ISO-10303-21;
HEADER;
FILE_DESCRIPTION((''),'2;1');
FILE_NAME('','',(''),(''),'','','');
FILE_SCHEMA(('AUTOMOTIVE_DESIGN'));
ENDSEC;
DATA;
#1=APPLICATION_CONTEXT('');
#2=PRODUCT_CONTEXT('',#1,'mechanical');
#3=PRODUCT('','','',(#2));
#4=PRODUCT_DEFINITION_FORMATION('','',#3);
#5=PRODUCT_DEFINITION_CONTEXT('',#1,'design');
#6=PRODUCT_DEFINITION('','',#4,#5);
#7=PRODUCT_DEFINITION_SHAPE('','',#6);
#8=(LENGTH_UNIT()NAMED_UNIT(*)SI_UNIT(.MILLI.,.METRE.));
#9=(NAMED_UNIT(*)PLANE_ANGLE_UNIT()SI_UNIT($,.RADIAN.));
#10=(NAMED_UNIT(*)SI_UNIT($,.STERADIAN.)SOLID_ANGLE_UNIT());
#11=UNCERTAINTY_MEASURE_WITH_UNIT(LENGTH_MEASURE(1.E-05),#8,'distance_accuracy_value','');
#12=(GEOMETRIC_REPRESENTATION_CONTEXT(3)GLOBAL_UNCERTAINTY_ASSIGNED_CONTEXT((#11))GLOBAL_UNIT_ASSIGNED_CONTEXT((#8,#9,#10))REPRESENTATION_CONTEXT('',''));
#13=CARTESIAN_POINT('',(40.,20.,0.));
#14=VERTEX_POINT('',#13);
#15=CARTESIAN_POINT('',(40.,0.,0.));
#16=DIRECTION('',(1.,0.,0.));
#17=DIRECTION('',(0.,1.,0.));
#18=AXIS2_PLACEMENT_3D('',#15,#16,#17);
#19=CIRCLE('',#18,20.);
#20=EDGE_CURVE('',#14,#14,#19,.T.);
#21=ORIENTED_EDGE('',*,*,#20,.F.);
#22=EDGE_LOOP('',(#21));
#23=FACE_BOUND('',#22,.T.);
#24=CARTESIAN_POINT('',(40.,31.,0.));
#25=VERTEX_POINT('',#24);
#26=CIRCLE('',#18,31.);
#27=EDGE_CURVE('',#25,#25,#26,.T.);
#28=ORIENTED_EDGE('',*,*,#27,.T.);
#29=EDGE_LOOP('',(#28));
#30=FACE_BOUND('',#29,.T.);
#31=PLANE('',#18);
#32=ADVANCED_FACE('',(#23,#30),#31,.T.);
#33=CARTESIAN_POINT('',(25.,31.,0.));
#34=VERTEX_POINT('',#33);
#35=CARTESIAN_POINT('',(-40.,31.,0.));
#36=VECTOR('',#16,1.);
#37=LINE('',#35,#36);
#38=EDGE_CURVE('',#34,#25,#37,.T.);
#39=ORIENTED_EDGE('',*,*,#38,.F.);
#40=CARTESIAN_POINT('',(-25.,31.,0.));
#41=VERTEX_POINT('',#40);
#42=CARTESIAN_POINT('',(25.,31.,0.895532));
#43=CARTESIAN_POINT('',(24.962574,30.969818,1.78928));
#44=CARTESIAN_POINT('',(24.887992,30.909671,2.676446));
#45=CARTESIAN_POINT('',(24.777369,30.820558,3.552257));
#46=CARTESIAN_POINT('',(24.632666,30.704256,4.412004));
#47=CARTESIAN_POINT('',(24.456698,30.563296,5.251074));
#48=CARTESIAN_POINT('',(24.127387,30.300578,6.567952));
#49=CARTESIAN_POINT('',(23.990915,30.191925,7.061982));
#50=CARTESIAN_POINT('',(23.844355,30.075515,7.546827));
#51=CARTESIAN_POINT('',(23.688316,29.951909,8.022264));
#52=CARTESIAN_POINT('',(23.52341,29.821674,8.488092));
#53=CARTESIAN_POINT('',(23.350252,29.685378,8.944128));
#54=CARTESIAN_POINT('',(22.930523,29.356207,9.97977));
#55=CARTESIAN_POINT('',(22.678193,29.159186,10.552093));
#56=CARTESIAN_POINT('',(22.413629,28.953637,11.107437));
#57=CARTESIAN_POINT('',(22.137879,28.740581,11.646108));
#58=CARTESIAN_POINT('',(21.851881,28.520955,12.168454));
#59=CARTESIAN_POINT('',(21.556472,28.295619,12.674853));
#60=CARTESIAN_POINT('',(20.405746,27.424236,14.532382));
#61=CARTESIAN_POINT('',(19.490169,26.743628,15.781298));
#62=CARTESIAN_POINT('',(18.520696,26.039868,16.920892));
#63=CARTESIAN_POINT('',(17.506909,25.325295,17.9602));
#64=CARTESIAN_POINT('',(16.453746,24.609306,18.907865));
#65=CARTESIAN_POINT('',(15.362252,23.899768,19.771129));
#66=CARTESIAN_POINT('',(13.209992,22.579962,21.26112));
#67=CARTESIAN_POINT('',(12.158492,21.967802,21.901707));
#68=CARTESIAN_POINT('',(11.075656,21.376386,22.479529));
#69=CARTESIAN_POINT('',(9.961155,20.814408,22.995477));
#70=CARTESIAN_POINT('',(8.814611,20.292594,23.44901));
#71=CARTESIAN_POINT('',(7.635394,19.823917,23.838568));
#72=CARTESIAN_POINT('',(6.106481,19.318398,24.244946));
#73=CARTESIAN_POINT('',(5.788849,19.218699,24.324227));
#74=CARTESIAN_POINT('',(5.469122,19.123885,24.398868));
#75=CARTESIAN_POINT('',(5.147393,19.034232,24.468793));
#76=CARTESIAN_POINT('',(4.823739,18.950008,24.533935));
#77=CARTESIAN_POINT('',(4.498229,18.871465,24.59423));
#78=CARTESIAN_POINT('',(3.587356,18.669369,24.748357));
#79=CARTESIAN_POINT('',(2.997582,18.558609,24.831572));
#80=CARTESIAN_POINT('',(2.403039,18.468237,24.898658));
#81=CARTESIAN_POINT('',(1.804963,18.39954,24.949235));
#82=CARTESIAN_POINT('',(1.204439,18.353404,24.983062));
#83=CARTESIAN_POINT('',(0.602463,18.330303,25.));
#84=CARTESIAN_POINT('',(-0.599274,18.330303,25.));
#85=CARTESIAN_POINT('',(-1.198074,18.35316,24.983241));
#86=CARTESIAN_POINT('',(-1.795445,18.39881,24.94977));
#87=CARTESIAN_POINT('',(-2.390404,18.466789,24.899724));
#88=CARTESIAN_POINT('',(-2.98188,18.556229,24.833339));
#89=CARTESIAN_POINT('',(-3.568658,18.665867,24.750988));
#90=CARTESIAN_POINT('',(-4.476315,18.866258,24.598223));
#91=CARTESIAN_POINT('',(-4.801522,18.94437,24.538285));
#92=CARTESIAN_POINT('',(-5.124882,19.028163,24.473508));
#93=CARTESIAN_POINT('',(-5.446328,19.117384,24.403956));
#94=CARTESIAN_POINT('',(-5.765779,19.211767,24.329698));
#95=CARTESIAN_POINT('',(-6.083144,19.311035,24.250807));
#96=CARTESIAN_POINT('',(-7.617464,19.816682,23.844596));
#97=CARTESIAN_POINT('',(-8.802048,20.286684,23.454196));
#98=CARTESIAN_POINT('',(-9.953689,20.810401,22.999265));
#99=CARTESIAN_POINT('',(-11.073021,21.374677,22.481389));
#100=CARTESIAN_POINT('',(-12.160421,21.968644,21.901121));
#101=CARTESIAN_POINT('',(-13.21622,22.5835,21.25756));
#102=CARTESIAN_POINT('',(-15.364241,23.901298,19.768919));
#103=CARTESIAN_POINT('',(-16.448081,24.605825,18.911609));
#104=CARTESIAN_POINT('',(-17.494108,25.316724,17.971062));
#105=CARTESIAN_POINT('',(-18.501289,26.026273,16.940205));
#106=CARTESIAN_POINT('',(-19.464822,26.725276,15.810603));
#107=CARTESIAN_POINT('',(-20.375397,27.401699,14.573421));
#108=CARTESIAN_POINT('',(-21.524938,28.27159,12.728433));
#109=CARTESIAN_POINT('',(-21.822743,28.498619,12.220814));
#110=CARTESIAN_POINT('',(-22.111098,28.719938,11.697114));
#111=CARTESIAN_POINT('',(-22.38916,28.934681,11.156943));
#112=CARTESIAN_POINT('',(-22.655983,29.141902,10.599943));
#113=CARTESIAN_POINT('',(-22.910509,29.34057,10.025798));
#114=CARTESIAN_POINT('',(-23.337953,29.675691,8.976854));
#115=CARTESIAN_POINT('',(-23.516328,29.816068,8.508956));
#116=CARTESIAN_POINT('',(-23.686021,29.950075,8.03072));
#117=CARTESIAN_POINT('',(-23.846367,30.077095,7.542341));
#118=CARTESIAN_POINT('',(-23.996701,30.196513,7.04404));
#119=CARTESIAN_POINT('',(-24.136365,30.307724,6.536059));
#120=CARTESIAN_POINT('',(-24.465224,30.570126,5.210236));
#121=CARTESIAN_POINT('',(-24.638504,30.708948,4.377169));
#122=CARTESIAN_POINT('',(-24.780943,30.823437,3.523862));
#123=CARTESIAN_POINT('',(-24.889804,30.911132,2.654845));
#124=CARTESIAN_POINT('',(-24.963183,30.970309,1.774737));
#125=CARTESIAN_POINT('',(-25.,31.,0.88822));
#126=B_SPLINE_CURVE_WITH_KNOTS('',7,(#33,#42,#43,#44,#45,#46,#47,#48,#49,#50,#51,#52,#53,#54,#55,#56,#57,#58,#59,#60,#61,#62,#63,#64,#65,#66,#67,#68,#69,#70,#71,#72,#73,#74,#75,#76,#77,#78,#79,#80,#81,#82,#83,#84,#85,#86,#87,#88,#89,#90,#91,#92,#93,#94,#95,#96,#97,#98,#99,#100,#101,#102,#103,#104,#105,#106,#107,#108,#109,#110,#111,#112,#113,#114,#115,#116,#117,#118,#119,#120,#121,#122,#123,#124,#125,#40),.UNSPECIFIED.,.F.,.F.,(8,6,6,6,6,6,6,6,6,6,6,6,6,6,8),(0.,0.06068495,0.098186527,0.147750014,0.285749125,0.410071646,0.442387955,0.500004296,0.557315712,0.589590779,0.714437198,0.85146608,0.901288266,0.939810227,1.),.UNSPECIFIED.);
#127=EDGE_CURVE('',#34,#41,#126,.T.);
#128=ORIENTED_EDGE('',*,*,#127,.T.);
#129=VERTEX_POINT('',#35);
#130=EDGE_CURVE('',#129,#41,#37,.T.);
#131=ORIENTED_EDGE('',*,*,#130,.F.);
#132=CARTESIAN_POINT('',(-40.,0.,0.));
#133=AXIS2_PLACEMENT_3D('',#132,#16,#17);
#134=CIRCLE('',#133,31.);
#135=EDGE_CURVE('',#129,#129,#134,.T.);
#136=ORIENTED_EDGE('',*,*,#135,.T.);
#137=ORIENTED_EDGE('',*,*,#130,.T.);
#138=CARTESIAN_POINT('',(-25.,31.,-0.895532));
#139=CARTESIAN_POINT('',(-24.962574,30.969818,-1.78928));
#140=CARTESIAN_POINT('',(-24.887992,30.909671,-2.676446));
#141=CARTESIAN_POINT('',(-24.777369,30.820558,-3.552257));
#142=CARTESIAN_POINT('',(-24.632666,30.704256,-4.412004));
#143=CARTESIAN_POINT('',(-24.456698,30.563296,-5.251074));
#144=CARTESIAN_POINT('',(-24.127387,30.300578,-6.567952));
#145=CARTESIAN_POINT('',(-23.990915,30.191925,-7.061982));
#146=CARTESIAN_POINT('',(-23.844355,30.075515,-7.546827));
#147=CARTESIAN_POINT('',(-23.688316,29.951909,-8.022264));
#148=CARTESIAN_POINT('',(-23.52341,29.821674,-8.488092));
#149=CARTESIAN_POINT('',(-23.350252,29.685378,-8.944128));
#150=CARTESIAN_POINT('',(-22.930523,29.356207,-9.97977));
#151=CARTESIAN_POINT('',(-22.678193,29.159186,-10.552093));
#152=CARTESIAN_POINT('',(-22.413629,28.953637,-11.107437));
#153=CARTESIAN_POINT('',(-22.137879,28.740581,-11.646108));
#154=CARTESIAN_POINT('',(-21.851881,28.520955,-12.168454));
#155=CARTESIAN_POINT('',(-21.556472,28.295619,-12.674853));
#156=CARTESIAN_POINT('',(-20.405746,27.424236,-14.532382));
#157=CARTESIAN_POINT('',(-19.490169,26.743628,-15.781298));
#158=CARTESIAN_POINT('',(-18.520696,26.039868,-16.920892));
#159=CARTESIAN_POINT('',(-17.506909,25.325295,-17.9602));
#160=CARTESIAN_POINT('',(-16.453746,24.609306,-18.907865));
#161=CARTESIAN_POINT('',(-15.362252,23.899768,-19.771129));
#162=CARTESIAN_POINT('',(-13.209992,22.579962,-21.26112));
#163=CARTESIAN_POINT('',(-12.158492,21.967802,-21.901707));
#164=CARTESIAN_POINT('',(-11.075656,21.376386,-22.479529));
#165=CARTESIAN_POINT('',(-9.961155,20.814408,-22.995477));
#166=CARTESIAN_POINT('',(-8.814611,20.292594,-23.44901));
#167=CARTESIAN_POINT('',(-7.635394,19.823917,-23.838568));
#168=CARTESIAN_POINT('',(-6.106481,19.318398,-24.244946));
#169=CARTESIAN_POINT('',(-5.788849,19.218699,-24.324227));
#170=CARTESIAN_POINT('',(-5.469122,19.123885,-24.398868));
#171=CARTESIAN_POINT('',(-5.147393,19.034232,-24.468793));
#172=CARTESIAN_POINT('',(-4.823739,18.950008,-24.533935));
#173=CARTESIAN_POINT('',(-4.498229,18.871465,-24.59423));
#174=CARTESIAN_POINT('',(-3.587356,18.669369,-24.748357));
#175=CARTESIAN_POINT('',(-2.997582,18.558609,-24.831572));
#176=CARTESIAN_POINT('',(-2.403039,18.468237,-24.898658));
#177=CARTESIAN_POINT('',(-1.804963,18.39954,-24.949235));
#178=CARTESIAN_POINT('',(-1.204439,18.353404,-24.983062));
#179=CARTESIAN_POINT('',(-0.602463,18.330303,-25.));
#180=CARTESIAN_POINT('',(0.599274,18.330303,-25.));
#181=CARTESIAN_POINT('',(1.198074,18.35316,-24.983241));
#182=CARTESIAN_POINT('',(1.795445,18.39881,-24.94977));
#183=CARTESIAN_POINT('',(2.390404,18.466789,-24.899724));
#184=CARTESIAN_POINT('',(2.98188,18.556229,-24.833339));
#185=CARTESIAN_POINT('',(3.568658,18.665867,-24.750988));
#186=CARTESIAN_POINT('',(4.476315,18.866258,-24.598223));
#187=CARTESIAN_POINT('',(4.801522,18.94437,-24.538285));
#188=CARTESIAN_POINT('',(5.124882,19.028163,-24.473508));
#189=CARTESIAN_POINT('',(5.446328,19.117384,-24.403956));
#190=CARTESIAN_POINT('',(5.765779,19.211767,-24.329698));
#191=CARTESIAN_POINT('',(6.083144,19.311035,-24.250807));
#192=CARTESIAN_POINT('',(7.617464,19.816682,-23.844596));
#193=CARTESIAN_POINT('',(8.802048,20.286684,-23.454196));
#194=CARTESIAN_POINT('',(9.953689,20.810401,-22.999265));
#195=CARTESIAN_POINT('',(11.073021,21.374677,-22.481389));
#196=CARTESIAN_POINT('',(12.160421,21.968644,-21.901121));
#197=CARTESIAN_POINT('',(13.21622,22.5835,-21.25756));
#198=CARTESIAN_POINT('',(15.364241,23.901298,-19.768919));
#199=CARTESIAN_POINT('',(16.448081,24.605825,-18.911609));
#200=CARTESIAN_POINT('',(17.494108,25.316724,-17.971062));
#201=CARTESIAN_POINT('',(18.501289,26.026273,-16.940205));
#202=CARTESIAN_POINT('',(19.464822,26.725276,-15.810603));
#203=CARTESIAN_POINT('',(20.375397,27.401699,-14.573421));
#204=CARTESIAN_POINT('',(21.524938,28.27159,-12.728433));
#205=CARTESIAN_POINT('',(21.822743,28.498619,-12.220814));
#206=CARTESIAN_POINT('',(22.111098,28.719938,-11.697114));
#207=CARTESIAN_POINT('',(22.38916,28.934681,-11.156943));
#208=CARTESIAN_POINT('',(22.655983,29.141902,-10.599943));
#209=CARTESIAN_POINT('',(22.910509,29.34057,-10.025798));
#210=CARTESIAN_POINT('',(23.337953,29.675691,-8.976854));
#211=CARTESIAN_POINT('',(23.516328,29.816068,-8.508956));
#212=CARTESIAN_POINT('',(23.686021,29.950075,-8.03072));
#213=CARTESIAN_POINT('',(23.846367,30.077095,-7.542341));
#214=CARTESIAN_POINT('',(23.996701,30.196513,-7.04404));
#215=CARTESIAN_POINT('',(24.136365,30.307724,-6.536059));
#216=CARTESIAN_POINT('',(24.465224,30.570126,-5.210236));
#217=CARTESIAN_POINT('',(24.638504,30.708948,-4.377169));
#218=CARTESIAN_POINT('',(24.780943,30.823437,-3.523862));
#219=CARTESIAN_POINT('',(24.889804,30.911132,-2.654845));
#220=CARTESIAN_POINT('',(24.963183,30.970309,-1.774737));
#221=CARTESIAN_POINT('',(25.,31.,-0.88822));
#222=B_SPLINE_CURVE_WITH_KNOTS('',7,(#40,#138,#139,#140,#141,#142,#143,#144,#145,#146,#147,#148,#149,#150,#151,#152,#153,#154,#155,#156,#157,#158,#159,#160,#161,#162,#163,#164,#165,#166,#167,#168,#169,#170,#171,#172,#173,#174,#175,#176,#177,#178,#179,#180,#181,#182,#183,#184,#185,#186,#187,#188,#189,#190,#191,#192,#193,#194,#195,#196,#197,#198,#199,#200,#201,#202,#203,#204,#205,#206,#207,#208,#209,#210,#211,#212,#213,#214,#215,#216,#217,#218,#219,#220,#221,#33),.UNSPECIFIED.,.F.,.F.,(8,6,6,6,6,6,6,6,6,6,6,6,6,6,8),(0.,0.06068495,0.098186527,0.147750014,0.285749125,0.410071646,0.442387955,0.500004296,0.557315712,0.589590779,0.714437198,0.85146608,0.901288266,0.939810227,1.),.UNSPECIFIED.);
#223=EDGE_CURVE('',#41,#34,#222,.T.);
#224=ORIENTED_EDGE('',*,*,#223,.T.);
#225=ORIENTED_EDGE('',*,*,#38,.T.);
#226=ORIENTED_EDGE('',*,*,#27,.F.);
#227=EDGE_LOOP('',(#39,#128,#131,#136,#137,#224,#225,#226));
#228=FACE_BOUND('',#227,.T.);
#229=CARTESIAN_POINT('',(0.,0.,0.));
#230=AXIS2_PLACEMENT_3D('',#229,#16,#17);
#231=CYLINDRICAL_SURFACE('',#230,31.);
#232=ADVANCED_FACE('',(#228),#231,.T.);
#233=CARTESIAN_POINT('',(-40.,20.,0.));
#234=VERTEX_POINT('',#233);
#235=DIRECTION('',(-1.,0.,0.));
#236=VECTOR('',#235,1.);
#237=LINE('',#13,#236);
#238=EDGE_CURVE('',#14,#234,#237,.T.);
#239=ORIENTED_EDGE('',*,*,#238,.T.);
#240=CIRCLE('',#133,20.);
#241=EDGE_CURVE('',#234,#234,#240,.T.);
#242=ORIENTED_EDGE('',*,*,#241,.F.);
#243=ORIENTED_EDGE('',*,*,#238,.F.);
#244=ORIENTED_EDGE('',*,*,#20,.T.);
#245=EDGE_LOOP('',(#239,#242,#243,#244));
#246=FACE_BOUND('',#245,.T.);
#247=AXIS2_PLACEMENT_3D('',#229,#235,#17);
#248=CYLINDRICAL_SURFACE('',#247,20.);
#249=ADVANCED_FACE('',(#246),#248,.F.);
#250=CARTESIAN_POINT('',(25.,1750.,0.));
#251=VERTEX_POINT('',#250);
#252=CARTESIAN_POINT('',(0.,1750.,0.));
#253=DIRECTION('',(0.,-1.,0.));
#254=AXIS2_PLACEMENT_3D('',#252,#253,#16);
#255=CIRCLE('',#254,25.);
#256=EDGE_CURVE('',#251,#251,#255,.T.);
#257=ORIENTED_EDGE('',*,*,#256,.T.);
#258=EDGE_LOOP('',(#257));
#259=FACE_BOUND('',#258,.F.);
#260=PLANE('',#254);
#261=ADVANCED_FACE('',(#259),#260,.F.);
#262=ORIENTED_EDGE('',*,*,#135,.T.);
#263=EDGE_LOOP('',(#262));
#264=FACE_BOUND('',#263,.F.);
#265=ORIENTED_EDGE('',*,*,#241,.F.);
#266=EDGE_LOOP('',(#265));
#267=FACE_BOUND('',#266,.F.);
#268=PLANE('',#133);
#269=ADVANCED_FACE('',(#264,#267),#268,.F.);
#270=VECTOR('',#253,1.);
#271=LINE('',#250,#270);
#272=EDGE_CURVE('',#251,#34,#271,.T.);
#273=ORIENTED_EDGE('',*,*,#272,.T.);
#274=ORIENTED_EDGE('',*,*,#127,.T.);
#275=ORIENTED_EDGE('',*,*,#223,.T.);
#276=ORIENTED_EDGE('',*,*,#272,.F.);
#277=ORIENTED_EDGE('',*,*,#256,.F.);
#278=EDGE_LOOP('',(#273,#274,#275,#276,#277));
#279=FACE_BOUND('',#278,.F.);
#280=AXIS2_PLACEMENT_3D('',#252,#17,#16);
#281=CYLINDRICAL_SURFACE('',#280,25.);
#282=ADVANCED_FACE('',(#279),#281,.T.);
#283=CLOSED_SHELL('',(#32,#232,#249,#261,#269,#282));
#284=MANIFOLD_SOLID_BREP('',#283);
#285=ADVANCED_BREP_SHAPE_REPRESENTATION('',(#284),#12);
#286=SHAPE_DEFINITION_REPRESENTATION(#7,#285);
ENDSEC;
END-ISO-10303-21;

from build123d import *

# Parameters (mm, degrees)
F2_R     = 31
F2_R_2   = 20
F3_DEPTH = 40
F6_R     = 25


with BuildPart() as f3:
    # F2 (on Right) → F3 (new body, symmetric)
    with BuildSketch(Plane.YZ):
        Circle(F2_R)
        Circle(F2_R_2, mode=Mode.SUBTRACT)
    extrude(amount=F3_DEPTH, both=True)

    # F6 (on plane+point) → F7 (join, up to the next surface of F3)
    with BuildSketch(Plane.XZ.offset(-1750)):
        Circle(F6_R)
    extrude(until=Until.NEXT)


solid = f3.part
